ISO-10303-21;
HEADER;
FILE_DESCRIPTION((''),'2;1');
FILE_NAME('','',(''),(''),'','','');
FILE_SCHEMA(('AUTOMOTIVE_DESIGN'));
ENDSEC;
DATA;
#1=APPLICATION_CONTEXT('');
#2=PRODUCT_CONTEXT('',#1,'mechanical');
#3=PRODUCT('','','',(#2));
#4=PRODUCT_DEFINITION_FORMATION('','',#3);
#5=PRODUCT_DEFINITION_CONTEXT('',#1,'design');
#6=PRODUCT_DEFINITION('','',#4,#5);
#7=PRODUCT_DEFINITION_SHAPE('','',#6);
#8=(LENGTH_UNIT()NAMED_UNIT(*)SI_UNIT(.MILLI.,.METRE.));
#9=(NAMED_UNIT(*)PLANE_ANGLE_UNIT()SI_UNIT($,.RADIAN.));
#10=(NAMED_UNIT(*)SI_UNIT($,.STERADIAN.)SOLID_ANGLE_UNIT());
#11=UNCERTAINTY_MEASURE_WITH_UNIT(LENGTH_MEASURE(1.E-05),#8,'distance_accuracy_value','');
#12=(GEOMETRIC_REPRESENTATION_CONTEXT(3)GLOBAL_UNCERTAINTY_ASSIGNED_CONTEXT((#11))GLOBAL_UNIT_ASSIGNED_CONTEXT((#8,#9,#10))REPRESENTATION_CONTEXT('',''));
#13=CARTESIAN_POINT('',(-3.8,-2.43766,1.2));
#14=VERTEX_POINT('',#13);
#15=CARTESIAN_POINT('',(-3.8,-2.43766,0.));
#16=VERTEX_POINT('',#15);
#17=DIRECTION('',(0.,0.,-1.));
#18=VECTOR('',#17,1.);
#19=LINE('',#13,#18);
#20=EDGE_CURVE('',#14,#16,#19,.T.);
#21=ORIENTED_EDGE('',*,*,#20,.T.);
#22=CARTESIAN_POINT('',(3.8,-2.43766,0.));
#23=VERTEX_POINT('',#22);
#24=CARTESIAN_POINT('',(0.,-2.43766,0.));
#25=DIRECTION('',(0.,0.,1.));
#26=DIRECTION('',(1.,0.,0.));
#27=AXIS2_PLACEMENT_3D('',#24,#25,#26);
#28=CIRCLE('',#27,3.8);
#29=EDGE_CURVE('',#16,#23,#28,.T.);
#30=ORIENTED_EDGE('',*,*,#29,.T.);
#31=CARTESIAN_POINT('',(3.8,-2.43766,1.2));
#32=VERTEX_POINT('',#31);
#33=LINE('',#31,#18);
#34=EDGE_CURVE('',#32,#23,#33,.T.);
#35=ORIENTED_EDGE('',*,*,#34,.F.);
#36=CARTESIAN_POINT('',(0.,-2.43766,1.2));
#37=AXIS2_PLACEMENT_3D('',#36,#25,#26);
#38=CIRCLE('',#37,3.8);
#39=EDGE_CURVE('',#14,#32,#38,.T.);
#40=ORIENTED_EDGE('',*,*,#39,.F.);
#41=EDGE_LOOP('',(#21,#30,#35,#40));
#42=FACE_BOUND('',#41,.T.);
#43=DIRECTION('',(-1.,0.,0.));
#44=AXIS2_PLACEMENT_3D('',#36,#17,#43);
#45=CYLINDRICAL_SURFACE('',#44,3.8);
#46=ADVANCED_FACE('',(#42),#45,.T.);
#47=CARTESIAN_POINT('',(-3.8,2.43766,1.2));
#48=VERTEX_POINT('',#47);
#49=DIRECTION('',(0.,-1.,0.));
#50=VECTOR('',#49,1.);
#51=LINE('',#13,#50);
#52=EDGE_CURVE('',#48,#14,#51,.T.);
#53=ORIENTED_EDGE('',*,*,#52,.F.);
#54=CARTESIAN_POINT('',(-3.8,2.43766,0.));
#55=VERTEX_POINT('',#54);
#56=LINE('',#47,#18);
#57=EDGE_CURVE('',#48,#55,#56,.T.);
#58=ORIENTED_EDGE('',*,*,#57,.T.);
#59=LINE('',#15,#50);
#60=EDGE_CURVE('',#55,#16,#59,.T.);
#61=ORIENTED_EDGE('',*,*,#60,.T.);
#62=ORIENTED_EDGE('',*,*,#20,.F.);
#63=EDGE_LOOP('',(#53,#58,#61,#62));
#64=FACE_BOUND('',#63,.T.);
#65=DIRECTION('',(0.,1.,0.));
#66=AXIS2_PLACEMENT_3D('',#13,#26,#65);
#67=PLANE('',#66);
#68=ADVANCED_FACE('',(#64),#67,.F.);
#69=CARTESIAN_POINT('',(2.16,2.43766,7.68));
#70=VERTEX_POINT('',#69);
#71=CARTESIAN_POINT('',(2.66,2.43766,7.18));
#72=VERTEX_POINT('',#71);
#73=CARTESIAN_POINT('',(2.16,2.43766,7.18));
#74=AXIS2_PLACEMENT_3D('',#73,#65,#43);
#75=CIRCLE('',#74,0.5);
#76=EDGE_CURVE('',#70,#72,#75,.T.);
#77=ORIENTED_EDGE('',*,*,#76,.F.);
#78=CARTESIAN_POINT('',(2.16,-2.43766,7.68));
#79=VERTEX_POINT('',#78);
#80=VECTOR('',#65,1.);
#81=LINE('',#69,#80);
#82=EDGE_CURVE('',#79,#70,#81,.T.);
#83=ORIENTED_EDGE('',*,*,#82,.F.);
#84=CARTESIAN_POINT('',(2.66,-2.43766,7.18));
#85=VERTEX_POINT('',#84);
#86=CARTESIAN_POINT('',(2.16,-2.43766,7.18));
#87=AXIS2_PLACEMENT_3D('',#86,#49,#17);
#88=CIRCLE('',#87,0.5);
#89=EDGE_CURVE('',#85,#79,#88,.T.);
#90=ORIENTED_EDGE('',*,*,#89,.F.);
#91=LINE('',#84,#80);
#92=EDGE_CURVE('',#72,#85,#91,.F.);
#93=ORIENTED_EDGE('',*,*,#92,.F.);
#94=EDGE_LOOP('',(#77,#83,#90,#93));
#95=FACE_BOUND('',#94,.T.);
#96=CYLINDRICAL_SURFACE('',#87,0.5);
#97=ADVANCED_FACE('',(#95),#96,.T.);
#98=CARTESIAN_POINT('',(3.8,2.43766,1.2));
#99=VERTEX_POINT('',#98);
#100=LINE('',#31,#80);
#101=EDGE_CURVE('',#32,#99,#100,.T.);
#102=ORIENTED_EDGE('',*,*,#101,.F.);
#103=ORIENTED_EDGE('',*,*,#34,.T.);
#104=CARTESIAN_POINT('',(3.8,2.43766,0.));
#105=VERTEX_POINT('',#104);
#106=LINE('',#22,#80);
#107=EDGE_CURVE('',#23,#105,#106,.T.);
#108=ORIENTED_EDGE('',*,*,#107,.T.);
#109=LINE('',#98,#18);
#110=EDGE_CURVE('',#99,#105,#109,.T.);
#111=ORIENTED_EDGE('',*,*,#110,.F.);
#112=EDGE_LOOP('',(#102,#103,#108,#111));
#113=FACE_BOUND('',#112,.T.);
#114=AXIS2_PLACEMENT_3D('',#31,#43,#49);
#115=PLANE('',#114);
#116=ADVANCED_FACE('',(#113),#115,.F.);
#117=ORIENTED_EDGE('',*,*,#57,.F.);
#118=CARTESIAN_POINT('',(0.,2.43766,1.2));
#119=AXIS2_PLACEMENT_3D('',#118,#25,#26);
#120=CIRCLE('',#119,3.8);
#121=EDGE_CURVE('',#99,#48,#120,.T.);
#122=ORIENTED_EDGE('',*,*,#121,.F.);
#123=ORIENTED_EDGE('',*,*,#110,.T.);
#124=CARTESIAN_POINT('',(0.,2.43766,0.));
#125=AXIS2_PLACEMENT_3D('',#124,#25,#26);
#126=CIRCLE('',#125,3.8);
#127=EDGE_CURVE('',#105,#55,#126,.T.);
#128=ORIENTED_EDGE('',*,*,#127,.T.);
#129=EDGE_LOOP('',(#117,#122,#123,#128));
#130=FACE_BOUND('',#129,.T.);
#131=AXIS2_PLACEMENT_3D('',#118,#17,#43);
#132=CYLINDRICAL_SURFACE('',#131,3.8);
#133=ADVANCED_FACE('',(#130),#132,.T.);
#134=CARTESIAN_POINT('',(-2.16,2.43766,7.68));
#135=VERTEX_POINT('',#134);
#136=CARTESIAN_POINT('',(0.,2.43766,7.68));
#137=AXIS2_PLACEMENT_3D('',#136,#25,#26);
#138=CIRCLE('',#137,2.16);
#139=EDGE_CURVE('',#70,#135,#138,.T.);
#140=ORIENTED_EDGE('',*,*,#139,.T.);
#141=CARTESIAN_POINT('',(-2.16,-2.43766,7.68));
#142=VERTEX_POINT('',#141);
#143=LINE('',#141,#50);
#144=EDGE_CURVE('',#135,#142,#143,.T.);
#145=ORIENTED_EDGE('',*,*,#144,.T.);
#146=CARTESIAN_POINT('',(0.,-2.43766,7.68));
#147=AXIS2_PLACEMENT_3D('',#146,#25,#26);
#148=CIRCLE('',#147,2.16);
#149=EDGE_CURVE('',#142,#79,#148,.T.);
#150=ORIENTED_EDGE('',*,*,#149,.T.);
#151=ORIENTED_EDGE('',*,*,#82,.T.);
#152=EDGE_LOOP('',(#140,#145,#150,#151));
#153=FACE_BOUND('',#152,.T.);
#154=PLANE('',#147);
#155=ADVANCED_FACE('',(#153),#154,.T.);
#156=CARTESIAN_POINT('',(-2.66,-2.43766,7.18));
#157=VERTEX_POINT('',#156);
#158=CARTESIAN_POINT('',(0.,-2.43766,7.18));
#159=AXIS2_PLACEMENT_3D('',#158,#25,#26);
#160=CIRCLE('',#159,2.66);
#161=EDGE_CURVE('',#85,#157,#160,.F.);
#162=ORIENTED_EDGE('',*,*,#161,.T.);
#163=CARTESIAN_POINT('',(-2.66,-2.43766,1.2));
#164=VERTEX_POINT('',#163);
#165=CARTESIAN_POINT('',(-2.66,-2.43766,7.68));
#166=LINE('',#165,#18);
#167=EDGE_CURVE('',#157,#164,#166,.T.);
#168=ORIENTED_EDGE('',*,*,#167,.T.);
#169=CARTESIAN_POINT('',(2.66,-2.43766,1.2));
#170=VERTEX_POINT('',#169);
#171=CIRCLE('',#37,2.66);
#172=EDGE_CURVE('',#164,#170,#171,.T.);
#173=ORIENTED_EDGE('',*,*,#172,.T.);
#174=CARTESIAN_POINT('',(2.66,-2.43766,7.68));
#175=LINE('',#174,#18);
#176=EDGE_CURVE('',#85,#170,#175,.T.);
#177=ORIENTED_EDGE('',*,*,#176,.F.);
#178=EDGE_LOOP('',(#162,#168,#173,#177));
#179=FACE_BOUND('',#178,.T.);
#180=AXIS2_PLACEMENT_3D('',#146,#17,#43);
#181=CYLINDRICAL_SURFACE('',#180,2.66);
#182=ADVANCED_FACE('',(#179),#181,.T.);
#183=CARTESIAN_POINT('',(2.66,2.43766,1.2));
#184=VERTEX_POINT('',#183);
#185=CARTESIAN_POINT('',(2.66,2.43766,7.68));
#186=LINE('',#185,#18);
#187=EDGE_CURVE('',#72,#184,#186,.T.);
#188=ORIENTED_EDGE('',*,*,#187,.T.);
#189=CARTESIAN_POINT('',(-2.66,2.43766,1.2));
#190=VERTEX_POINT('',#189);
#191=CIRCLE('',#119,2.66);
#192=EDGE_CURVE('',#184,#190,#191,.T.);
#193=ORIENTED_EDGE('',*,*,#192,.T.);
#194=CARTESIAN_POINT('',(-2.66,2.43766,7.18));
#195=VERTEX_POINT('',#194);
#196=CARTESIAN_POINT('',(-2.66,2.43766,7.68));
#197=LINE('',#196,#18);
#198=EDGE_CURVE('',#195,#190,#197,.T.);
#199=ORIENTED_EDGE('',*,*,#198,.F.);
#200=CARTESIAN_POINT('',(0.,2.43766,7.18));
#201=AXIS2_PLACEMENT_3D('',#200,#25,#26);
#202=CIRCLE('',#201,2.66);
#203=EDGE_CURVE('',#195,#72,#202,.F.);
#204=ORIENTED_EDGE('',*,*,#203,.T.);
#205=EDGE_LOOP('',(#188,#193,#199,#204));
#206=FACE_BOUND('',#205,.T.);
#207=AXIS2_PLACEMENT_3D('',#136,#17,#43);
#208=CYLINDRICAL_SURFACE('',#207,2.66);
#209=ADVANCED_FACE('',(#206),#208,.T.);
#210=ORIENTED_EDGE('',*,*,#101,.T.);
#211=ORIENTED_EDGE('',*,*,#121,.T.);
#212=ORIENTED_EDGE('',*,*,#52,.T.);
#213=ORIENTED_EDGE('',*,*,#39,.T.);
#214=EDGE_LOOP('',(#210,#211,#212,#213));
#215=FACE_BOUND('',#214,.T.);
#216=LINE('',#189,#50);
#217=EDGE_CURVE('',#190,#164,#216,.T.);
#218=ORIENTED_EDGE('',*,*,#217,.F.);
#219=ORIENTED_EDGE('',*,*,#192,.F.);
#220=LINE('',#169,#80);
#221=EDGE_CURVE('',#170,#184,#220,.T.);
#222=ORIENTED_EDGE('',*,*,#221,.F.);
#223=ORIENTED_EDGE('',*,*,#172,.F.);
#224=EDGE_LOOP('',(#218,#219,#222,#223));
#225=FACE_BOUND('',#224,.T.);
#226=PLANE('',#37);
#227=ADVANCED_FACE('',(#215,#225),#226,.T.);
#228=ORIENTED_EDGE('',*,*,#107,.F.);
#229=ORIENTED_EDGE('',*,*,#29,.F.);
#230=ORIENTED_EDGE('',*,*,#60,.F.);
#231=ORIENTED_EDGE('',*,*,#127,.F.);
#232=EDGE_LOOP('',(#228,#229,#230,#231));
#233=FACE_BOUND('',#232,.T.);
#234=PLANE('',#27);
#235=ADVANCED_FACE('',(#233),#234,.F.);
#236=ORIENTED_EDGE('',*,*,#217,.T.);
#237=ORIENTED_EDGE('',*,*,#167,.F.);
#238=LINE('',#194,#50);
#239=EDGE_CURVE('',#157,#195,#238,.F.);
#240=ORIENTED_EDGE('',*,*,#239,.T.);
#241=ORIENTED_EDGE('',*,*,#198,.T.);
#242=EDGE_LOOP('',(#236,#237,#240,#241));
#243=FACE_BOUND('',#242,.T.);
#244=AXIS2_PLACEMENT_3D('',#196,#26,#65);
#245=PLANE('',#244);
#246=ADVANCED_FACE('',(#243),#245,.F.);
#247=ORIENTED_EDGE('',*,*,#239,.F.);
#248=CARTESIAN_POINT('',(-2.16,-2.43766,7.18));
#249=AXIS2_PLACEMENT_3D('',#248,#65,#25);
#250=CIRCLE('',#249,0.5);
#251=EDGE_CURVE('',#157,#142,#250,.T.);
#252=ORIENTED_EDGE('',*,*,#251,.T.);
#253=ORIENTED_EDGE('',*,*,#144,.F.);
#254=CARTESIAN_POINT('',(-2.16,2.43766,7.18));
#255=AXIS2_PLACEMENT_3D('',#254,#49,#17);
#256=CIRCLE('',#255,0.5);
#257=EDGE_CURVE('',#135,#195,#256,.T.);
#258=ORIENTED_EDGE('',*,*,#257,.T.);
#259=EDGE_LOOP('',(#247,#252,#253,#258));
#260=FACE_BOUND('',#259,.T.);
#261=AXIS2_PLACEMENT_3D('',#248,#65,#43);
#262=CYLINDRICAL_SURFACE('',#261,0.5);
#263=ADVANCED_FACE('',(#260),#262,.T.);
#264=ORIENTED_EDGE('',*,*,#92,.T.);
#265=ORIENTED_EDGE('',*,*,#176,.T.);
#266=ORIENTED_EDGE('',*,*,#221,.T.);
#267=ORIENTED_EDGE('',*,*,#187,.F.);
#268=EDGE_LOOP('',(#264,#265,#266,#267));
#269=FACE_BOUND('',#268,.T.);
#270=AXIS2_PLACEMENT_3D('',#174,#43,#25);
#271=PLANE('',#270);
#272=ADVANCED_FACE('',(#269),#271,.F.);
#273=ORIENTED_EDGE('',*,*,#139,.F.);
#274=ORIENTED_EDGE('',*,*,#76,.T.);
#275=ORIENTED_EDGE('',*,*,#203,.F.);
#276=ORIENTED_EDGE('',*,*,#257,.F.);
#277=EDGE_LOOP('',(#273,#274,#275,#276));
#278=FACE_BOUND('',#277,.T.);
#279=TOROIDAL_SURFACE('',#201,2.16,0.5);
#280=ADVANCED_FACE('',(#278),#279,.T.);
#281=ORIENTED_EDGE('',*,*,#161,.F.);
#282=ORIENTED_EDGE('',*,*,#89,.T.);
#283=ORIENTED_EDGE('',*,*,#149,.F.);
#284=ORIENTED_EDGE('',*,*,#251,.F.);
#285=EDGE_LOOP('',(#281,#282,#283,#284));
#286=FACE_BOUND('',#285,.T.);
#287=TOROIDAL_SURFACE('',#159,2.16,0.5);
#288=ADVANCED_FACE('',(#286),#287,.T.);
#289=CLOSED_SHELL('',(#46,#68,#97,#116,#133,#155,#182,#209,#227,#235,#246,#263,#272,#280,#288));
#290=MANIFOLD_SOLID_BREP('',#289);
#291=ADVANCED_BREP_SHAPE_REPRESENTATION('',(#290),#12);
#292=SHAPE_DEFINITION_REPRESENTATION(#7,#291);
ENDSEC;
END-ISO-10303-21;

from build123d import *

# Parameters (mm, degrees)
BOSS_EXTRUDE1_DEPTH = 1.2
BOSS_EXTRUDE2_DEPTH = 6.48
FILLET1_R           = 0.5


with BuildPart() as part:
    # Sketch1 → Boss-Extrude1 (new body)
    with BuildSketch(Plane.XY):
        with BuildLine():
            Line((-3.8, -2.43766), (-3.8, 2.43766))
            ThreePointArc((-3.8, 2.43766), (0, 6.23766), (3.8, 2.43766))
            Line((3.8, 2.43766), (3.8, -2.43766))
            ThreePointArc((3.8, -2.43766), (0, -6.23766), (-3.8, -2.43766))
        make_face()
    extrude(amount=BOSS_EXTRUDE1_DEPTH)

    # Sketch2 → Boss-Extrude2 (add)
    with BuildSketch(Plane.XY.offset(1.2)):
        with BuildLine():
            Line((2.66, -2.43766), (2.66, 2.43766))
            ThreePointArc((2.66, 2.43766), (0, 5.09766), (-2.66, 2.43766))
            Line((-2.66, 2.43766), (-2.66, -2.43766))
            ThreePointArc((-2.66, -2.43766), (0, -5.09766), (2.66, -2.43766))
        make_face()
    extrude(amount=BOSS_EXTRUDE2_DEPTH)

    # Fillet1
    fillet1_edges = [part.edges().sort_by_distance(p)[0] for p in [
        (0, -5.09766, 7.68),
        (2.66, 0, 7.68),
        (0, 5.09766, 7.68),
        (-2.66, 0, 7.68),
    ]]
    fillet(fillet1_edges, radius=FILLET1_R)


solid = part.part
